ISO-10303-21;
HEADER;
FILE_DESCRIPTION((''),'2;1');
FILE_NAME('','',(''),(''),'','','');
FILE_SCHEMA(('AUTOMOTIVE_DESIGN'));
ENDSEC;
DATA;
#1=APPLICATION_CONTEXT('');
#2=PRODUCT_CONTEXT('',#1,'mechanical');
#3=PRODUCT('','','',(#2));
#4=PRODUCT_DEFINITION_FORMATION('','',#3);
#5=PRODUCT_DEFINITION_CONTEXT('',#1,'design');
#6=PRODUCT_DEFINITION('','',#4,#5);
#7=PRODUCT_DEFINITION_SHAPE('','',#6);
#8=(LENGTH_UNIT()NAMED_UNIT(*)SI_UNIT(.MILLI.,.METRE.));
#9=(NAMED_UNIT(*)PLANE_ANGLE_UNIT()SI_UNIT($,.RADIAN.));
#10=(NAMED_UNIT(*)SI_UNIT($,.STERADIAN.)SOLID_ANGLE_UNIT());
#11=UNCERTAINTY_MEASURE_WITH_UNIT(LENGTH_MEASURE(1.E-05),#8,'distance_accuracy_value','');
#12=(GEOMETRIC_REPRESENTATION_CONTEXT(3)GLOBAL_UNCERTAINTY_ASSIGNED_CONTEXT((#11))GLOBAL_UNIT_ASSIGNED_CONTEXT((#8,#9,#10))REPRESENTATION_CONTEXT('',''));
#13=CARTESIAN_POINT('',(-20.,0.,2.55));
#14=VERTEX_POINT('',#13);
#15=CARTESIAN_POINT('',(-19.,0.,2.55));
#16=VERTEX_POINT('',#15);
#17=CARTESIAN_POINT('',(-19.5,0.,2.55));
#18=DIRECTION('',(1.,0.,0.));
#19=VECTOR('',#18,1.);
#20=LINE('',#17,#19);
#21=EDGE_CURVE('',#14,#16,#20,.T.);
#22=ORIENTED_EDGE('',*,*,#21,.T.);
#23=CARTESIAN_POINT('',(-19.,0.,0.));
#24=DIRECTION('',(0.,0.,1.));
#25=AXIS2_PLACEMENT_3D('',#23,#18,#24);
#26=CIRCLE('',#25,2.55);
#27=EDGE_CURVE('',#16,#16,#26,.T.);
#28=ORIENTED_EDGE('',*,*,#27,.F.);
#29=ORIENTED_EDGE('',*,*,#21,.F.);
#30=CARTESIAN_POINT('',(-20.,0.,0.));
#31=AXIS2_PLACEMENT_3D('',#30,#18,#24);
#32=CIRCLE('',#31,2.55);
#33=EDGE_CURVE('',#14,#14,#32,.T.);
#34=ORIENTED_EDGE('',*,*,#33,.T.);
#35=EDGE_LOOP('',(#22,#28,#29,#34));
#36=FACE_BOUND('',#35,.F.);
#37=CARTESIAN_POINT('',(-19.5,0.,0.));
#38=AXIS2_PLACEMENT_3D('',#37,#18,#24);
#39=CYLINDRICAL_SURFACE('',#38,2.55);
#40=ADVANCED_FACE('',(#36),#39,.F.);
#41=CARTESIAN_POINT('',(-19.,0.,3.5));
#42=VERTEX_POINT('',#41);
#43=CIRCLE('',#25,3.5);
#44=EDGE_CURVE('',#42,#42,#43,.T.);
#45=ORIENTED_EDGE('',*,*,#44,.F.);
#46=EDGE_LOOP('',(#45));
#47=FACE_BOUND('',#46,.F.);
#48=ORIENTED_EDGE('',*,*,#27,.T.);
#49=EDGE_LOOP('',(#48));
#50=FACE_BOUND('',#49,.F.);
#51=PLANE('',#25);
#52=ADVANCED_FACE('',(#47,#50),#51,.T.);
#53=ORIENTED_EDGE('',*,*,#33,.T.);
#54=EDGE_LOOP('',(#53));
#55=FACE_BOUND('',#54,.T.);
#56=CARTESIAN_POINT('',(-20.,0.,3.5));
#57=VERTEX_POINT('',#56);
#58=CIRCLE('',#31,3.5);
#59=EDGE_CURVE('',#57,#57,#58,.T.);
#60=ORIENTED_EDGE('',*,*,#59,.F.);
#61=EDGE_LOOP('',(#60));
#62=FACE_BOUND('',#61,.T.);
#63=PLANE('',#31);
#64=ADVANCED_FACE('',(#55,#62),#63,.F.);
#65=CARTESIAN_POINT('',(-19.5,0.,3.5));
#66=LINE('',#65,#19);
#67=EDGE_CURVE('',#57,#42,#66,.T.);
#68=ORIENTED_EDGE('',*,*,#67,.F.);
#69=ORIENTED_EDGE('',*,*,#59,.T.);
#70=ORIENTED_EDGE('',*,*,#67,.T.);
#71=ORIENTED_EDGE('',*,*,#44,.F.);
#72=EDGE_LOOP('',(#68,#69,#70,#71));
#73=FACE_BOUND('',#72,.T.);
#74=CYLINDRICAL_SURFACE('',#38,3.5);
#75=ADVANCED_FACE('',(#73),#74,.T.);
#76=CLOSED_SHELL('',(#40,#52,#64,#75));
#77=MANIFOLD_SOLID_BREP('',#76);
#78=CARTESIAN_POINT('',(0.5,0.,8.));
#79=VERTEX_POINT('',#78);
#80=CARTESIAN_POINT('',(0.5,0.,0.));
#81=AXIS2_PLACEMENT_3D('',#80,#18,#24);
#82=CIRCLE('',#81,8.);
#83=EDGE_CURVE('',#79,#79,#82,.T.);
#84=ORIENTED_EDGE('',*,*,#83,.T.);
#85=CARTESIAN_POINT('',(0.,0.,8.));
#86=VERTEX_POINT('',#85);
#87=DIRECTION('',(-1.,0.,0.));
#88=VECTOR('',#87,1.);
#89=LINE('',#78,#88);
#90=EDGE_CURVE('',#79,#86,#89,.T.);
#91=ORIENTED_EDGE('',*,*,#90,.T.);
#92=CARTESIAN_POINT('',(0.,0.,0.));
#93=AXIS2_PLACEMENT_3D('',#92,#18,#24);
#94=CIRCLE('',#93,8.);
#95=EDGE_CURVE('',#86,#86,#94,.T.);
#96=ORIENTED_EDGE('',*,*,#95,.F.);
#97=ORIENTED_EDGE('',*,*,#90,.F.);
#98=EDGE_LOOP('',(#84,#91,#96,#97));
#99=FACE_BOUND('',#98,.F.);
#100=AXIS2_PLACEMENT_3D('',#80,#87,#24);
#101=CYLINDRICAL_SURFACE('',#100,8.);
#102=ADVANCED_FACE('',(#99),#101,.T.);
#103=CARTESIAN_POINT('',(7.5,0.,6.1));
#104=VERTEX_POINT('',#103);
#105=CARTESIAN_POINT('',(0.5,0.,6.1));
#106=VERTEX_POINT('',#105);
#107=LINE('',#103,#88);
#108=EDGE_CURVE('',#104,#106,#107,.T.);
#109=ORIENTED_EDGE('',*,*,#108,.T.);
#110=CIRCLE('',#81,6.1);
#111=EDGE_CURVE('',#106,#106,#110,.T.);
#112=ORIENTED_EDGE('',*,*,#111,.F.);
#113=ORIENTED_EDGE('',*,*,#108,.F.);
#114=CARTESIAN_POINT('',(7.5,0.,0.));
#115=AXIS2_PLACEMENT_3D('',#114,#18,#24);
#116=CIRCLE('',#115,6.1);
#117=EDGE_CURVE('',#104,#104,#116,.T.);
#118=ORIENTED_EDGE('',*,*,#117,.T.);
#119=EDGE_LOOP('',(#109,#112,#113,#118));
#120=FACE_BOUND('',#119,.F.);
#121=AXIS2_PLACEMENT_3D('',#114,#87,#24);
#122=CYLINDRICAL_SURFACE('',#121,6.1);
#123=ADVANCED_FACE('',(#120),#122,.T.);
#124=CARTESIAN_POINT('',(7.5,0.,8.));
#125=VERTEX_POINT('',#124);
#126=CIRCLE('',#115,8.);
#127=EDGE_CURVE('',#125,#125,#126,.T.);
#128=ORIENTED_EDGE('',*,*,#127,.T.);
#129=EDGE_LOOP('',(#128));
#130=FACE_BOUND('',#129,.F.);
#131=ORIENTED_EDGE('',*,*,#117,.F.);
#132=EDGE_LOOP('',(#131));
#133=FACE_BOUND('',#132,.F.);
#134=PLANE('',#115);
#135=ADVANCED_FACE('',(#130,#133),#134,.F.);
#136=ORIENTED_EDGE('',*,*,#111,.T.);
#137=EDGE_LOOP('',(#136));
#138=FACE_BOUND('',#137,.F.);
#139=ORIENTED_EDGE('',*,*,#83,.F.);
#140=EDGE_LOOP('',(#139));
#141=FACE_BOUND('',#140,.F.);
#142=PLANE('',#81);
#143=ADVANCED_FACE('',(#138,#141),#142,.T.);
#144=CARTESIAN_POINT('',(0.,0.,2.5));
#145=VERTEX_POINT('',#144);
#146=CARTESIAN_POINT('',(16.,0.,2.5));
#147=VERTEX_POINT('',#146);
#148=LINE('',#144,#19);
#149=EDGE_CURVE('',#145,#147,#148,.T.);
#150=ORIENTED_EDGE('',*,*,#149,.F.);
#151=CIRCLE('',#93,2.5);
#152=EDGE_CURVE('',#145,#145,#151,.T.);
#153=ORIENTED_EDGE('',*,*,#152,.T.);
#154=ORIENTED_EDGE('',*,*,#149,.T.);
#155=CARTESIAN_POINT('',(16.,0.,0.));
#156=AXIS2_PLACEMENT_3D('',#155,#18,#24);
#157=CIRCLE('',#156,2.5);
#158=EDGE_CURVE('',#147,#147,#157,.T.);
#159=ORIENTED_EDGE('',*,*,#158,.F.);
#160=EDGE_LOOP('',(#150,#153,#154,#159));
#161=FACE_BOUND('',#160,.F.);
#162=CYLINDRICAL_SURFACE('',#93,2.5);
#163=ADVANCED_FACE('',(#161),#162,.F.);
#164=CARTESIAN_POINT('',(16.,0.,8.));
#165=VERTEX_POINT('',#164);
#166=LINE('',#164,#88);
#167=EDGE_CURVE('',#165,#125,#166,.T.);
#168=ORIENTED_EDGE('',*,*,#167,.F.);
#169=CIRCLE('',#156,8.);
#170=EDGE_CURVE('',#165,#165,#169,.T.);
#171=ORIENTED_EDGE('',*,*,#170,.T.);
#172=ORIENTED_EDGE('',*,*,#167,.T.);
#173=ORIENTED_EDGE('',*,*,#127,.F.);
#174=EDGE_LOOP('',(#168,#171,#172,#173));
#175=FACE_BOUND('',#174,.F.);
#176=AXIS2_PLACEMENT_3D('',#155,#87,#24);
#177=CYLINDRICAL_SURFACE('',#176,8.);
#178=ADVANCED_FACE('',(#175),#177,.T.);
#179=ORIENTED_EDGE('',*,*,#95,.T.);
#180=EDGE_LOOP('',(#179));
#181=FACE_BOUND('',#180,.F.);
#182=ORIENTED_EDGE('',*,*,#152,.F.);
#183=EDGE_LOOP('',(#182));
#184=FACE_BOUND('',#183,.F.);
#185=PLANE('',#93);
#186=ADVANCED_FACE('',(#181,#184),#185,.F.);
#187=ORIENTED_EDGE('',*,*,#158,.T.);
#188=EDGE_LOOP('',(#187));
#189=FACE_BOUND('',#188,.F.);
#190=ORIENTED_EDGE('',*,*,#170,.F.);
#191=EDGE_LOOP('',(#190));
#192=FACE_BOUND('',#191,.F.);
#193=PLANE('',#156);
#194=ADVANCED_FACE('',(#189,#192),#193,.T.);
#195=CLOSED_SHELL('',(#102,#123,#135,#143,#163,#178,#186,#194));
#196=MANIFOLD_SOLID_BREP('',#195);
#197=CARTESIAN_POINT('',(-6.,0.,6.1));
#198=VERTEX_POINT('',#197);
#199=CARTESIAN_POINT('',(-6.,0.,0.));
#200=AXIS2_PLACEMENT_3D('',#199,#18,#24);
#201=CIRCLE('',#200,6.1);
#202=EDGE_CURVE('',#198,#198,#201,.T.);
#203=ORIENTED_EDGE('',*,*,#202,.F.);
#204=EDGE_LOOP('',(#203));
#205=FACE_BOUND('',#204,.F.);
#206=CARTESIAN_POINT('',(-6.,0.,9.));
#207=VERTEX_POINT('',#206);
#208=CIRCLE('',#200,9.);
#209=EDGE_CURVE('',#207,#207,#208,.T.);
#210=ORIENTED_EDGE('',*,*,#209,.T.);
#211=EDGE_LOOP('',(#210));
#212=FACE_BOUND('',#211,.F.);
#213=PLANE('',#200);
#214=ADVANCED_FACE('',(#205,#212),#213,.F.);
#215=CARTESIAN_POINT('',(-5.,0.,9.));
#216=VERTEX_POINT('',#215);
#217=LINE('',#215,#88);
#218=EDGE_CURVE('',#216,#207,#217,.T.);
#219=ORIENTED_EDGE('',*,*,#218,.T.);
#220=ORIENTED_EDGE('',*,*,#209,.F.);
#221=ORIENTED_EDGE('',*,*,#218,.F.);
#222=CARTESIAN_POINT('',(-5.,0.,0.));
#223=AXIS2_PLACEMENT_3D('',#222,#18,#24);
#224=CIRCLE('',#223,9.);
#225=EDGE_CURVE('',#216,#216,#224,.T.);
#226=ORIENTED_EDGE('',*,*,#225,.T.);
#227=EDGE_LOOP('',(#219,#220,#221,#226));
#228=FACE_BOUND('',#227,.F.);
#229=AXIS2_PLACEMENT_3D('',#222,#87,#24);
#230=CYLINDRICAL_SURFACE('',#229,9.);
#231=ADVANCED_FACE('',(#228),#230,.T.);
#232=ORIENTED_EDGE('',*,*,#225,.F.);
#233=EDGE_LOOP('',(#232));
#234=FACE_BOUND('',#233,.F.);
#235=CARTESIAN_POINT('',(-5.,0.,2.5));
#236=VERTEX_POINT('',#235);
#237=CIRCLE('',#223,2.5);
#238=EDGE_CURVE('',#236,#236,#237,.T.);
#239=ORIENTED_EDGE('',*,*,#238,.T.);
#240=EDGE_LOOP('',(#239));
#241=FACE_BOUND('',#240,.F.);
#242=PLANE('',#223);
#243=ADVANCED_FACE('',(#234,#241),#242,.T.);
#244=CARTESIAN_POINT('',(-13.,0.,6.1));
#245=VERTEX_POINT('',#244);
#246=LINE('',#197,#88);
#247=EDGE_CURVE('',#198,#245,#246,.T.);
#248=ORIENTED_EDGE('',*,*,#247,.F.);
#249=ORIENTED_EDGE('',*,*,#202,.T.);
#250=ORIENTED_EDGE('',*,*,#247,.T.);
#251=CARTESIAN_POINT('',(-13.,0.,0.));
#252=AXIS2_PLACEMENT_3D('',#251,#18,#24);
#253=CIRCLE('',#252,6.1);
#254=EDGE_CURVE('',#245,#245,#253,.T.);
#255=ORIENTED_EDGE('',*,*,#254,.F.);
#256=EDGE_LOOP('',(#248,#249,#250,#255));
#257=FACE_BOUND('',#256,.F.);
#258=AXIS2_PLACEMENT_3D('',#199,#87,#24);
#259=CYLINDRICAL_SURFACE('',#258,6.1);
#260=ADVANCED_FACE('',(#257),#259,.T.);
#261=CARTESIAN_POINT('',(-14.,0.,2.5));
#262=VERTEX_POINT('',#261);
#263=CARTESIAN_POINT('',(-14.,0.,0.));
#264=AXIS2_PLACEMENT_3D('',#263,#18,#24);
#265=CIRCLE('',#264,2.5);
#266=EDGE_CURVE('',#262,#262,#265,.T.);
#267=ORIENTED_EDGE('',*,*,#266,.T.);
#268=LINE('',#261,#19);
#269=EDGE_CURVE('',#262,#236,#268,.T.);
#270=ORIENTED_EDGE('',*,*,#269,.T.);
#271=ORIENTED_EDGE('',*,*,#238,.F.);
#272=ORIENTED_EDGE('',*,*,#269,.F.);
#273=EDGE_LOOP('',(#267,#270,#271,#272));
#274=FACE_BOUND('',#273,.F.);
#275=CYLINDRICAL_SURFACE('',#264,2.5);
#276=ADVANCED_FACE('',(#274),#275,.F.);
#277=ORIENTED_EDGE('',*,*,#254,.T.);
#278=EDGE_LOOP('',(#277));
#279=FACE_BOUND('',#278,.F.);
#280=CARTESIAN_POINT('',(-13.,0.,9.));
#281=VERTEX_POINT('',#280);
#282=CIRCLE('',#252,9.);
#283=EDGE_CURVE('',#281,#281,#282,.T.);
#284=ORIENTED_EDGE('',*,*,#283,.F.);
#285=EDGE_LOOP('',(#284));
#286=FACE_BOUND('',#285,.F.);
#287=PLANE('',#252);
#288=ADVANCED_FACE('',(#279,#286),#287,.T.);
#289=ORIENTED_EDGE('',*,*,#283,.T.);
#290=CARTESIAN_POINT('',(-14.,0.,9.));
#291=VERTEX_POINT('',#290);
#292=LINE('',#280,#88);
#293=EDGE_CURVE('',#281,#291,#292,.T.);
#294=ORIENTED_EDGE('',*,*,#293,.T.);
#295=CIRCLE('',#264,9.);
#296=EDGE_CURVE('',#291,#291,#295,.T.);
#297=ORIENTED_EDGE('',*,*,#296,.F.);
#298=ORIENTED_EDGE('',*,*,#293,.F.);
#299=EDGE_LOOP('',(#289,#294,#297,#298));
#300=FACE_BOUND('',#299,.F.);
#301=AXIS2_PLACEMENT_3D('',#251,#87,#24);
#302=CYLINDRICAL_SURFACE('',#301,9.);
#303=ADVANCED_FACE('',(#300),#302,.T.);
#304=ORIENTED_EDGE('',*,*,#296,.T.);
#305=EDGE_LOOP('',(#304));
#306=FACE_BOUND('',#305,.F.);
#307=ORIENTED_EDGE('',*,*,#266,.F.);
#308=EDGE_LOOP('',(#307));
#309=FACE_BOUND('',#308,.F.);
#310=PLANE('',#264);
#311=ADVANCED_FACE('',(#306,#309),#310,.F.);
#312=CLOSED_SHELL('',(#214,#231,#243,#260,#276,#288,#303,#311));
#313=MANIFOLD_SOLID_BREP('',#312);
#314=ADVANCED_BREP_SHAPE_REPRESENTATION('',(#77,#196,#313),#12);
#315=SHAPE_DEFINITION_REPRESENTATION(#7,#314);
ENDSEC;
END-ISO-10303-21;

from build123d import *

# Parameters (mm, degrees)
F0_W = 1
F0_H = 0.95


with BuildPart() as f1:
    # F0 (on Front) → F1 (revolve)
    with BuildSketch(Plane.XZ):
        Polygon((0, 8), (0, 2.5), (16, 2.5), (16, 8), (7.5, 8), (7.5, 6.1), (0.5, 6.1), (0.5, 8), align=None)
    revolve(axis=Axis((8, 0, 0), (1, 0, 0)))


with BuildPart() as f2:
    # F0 (on Front) → F2 (revolve)
    with BuildSketch(Plane.XZ):
        Polygon((-13, 9), (-14, 9), (-14, 2.5), (-5, 2.5), (-5, 9), (-6, 9), (-6, 6.1), (-13, 6.1), align=None)
    revolve(axis=Axis((8, 0, 0), (1, 0, 0)))


with BuildPart() as f3:
    # F0 (on Front) → F3 (revolve)
    with BuildSketch(Plane.XZ):
        with Locations((-19.5, 3.025)):
            Rectangle(F0_W, F0_H)
    revolve(axis=Axis((8, 0, 0), (1, 0, 0)))


solid = Compound([f1.part, f2.part, f3.part])
